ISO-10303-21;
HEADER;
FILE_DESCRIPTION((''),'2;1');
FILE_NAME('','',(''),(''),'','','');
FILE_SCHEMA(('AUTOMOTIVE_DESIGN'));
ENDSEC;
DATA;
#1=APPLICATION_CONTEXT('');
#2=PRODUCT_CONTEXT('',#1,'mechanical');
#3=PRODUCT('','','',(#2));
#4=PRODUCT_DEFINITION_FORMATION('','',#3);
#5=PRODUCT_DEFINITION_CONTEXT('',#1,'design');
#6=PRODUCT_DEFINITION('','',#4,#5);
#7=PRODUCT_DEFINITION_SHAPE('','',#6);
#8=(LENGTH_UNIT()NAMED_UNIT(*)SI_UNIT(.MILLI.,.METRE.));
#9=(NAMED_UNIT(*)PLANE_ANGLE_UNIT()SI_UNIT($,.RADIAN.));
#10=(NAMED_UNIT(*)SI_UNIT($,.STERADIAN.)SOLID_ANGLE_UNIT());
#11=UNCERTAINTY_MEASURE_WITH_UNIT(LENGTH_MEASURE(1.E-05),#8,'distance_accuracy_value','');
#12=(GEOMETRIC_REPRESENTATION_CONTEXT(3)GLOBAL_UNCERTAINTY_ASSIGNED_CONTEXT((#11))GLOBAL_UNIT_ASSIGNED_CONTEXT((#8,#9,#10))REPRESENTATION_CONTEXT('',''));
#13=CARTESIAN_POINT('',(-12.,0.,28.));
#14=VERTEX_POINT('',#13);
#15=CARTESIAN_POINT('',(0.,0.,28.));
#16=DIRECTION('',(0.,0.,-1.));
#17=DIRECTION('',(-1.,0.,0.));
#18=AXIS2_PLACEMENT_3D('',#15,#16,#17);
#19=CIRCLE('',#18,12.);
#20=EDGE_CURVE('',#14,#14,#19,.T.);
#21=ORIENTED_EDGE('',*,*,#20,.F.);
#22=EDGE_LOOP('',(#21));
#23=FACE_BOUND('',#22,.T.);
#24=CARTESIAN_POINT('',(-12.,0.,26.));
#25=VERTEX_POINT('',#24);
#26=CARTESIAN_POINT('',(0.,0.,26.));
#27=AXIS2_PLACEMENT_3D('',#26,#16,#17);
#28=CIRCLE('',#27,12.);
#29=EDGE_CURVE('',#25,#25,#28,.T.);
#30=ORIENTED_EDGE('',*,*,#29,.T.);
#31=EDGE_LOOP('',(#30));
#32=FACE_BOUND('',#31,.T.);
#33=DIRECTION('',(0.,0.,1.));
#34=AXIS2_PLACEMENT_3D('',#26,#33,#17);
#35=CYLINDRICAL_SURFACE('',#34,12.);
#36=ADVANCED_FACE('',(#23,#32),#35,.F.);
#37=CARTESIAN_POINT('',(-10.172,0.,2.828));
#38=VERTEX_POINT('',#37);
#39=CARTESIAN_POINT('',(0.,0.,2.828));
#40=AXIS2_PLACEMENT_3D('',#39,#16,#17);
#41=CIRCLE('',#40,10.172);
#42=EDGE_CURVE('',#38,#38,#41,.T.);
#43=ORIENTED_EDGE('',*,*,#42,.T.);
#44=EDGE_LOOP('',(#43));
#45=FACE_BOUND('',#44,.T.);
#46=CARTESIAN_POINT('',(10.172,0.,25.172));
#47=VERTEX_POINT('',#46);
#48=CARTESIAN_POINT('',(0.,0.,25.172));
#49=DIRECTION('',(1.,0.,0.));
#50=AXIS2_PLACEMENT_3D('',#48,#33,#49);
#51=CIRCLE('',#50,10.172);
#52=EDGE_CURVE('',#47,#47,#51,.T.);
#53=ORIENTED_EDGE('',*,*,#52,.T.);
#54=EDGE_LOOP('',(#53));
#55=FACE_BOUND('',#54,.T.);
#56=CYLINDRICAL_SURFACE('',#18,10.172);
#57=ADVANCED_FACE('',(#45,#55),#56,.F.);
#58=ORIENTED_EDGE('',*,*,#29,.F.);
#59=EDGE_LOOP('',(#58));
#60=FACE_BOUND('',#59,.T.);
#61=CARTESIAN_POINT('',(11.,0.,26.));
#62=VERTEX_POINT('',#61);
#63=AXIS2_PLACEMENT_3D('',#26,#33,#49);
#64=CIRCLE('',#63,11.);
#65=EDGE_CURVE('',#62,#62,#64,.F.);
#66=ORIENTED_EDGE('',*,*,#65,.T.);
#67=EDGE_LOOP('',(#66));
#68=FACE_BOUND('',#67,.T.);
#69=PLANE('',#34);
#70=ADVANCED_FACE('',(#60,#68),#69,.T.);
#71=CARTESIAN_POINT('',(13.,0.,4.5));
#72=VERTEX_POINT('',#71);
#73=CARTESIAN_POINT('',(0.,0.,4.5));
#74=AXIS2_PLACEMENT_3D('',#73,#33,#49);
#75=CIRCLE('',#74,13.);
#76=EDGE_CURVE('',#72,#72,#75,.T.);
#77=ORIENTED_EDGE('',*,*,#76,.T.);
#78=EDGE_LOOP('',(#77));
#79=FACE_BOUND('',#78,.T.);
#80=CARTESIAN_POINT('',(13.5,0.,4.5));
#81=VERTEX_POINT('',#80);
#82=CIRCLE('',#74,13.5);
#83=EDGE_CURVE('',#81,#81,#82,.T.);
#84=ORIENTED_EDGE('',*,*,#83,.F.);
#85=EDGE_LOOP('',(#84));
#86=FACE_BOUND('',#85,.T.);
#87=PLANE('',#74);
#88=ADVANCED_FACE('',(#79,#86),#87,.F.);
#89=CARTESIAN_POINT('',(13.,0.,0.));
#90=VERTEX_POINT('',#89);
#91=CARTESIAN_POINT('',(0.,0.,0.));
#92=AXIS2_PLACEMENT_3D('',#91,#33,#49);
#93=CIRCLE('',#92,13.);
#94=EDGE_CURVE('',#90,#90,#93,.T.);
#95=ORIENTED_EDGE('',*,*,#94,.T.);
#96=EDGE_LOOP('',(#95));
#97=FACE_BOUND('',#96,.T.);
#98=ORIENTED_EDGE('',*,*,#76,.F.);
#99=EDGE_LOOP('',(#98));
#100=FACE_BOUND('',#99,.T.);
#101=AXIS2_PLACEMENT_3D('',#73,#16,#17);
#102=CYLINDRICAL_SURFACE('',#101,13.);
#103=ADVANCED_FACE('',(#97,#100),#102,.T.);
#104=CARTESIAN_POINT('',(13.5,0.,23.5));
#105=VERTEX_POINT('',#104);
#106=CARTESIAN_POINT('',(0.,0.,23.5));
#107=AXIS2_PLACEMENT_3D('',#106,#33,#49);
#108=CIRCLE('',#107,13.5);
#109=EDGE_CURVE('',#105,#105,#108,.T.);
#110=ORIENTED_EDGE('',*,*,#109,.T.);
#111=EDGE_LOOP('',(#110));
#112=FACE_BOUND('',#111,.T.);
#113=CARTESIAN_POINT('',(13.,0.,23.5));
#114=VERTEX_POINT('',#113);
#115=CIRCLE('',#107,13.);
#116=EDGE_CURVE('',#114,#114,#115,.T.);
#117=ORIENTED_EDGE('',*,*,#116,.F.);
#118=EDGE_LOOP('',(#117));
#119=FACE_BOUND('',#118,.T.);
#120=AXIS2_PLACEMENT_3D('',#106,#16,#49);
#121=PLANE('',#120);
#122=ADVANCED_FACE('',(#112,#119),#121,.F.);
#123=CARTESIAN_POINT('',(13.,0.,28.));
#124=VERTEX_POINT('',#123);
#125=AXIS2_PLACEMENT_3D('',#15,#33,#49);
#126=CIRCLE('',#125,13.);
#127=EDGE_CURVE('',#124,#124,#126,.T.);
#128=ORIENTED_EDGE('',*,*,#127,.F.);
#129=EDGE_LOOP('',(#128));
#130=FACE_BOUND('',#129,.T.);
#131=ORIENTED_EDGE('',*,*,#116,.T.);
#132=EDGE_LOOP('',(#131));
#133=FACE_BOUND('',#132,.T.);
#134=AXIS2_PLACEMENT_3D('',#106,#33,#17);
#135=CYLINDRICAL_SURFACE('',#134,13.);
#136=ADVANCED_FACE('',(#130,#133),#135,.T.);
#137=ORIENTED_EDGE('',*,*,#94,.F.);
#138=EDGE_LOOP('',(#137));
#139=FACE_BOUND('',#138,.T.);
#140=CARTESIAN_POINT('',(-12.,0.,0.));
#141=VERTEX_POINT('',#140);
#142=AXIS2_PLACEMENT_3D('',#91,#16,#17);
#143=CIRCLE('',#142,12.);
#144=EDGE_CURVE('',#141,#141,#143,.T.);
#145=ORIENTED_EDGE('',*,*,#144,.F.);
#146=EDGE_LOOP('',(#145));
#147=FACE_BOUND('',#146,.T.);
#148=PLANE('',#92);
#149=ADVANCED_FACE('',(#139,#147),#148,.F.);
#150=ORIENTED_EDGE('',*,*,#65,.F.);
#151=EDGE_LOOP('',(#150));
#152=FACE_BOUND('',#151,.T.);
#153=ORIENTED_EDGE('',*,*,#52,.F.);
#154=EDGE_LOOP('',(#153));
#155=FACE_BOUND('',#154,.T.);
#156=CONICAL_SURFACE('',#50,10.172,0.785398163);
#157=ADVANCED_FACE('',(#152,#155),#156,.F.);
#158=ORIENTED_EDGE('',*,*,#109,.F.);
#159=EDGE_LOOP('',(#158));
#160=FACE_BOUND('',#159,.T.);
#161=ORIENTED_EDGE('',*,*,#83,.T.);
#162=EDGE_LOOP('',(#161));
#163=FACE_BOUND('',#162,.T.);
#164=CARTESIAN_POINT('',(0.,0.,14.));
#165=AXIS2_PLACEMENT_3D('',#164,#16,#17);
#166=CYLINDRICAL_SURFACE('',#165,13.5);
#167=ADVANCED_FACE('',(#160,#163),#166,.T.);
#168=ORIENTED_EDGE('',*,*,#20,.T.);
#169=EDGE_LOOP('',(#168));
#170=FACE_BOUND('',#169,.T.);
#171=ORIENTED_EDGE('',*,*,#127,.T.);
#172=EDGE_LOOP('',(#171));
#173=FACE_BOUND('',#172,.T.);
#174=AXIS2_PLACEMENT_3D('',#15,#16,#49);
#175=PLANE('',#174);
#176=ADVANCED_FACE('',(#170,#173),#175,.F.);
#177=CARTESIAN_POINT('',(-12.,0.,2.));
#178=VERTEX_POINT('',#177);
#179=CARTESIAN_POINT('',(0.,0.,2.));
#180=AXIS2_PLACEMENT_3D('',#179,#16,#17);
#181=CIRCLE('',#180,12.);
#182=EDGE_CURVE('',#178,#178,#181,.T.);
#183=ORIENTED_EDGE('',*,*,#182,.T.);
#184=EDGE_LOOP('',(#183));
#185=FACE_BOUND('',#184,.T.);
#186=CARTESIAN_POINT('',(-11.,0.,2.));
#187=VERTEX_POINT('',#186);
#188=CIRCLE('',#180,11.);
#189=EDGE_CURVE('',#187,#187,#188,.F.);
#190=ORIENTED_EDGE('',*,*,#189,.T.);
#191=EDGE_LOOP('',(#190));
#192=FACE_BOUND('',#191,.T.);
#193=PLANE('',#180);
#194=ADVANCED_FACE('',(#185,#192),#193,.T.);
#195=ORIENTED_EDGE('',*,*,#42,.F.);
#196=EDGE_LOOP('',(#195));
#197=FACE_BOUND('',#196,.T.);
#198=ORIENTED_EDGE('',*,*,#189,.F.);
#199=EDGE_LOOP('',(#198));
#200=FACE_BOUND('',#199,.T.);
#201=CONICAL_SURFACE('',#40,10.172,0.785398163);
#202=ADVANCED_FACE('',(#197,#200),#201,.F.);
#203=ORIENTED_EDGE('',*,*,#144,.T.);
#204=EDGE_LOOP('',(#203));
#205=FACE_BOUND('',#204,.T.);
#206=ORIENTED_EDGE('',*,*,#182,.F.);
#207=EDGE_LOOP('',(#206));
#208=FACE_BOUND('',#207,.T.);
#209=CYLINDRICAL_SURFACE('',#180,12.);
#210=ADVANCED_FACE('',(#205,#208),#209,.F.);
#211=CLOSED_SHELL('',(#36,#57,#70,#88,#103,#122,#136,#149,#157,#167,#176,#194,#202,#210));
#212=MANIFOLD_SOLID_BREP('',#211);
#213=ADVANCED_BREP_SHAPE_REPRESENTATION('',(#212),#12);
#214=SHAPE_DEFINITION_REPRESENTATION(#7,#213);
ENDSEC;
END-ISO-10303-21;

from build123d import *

# Parameters (mm, degrees)
SKETCH_2_R          = 13
EXTRUDE_1_DEPTH     = 4.5
SKETCH_3_R          = 13.5
EXTRUDE_2_DEPTH     = 9.5
SKETCH_4_R          = 12
CUT_EXTRUDE_1_DEPTH = 2
SKETCH_5_R          = 10.172
CUT_EXTRUDE_2_DEPTH = 27
CHAMFER_1_SIZE      = 0.828


with BuildPart() as part:
    # Эскиз2 → Бобышка-Вытянуть1 (new body)
    with BuildSketch(Plane.XY):
        Circle(SKETCH_2_R)
    extrude(amount=EXTRUDE_1_DEPTH)

    # Эскиз3 → Бобышка-Вытянуть2 (add)
    with BuildSketch(Plane.XY.offset(4.5)):
        Circle(SKETCH_3_R)
    extrude(amount=EXTRUDE_2_DEPTH)

    # Эскиз4 → Вырез-Вытянуть1 (cut)
    with BuildSketch(Plane(origin=(0, 0, 0), x_dir=(-1, 0, 0), z_dir=(0, 0, -1))):
        Circle(SKETCH_4_R)
    extrude(amount=-CUT_EXTRUDE_1_DEPTH, mode=Mode.SUBTRACT)

    # Зеркальное отражение4: part across plane


with BuildPart() as part_1:
    add(part.part)
    add(part.part.mirror(Plane.XY.offset(14)))

    # Эскиз5 → Вырез-Вытянуть2 (cut, through all)
    with BuildSketch(Plane(origin=(0, 0, 2), x_dir=(-1, 0, 0), z_dir=(0, 0, -1))):
        Circle(SKETCH_5_R)
    extrude(amount=-CUT_EXTRUDE_2_DEPTH, mode=Mode.SUBTRACT)

    # Фаска1
    chamfer_1_edges = [part_1.edges().sort_by_distance(p)[0] for p in [
        (10.172, 0, 26),
        (10.172, 0, 2),
    ]]
    chamfer(chamfer_1_edges, length=CHAMFER_1_SIZE)


solid = part_1.part
